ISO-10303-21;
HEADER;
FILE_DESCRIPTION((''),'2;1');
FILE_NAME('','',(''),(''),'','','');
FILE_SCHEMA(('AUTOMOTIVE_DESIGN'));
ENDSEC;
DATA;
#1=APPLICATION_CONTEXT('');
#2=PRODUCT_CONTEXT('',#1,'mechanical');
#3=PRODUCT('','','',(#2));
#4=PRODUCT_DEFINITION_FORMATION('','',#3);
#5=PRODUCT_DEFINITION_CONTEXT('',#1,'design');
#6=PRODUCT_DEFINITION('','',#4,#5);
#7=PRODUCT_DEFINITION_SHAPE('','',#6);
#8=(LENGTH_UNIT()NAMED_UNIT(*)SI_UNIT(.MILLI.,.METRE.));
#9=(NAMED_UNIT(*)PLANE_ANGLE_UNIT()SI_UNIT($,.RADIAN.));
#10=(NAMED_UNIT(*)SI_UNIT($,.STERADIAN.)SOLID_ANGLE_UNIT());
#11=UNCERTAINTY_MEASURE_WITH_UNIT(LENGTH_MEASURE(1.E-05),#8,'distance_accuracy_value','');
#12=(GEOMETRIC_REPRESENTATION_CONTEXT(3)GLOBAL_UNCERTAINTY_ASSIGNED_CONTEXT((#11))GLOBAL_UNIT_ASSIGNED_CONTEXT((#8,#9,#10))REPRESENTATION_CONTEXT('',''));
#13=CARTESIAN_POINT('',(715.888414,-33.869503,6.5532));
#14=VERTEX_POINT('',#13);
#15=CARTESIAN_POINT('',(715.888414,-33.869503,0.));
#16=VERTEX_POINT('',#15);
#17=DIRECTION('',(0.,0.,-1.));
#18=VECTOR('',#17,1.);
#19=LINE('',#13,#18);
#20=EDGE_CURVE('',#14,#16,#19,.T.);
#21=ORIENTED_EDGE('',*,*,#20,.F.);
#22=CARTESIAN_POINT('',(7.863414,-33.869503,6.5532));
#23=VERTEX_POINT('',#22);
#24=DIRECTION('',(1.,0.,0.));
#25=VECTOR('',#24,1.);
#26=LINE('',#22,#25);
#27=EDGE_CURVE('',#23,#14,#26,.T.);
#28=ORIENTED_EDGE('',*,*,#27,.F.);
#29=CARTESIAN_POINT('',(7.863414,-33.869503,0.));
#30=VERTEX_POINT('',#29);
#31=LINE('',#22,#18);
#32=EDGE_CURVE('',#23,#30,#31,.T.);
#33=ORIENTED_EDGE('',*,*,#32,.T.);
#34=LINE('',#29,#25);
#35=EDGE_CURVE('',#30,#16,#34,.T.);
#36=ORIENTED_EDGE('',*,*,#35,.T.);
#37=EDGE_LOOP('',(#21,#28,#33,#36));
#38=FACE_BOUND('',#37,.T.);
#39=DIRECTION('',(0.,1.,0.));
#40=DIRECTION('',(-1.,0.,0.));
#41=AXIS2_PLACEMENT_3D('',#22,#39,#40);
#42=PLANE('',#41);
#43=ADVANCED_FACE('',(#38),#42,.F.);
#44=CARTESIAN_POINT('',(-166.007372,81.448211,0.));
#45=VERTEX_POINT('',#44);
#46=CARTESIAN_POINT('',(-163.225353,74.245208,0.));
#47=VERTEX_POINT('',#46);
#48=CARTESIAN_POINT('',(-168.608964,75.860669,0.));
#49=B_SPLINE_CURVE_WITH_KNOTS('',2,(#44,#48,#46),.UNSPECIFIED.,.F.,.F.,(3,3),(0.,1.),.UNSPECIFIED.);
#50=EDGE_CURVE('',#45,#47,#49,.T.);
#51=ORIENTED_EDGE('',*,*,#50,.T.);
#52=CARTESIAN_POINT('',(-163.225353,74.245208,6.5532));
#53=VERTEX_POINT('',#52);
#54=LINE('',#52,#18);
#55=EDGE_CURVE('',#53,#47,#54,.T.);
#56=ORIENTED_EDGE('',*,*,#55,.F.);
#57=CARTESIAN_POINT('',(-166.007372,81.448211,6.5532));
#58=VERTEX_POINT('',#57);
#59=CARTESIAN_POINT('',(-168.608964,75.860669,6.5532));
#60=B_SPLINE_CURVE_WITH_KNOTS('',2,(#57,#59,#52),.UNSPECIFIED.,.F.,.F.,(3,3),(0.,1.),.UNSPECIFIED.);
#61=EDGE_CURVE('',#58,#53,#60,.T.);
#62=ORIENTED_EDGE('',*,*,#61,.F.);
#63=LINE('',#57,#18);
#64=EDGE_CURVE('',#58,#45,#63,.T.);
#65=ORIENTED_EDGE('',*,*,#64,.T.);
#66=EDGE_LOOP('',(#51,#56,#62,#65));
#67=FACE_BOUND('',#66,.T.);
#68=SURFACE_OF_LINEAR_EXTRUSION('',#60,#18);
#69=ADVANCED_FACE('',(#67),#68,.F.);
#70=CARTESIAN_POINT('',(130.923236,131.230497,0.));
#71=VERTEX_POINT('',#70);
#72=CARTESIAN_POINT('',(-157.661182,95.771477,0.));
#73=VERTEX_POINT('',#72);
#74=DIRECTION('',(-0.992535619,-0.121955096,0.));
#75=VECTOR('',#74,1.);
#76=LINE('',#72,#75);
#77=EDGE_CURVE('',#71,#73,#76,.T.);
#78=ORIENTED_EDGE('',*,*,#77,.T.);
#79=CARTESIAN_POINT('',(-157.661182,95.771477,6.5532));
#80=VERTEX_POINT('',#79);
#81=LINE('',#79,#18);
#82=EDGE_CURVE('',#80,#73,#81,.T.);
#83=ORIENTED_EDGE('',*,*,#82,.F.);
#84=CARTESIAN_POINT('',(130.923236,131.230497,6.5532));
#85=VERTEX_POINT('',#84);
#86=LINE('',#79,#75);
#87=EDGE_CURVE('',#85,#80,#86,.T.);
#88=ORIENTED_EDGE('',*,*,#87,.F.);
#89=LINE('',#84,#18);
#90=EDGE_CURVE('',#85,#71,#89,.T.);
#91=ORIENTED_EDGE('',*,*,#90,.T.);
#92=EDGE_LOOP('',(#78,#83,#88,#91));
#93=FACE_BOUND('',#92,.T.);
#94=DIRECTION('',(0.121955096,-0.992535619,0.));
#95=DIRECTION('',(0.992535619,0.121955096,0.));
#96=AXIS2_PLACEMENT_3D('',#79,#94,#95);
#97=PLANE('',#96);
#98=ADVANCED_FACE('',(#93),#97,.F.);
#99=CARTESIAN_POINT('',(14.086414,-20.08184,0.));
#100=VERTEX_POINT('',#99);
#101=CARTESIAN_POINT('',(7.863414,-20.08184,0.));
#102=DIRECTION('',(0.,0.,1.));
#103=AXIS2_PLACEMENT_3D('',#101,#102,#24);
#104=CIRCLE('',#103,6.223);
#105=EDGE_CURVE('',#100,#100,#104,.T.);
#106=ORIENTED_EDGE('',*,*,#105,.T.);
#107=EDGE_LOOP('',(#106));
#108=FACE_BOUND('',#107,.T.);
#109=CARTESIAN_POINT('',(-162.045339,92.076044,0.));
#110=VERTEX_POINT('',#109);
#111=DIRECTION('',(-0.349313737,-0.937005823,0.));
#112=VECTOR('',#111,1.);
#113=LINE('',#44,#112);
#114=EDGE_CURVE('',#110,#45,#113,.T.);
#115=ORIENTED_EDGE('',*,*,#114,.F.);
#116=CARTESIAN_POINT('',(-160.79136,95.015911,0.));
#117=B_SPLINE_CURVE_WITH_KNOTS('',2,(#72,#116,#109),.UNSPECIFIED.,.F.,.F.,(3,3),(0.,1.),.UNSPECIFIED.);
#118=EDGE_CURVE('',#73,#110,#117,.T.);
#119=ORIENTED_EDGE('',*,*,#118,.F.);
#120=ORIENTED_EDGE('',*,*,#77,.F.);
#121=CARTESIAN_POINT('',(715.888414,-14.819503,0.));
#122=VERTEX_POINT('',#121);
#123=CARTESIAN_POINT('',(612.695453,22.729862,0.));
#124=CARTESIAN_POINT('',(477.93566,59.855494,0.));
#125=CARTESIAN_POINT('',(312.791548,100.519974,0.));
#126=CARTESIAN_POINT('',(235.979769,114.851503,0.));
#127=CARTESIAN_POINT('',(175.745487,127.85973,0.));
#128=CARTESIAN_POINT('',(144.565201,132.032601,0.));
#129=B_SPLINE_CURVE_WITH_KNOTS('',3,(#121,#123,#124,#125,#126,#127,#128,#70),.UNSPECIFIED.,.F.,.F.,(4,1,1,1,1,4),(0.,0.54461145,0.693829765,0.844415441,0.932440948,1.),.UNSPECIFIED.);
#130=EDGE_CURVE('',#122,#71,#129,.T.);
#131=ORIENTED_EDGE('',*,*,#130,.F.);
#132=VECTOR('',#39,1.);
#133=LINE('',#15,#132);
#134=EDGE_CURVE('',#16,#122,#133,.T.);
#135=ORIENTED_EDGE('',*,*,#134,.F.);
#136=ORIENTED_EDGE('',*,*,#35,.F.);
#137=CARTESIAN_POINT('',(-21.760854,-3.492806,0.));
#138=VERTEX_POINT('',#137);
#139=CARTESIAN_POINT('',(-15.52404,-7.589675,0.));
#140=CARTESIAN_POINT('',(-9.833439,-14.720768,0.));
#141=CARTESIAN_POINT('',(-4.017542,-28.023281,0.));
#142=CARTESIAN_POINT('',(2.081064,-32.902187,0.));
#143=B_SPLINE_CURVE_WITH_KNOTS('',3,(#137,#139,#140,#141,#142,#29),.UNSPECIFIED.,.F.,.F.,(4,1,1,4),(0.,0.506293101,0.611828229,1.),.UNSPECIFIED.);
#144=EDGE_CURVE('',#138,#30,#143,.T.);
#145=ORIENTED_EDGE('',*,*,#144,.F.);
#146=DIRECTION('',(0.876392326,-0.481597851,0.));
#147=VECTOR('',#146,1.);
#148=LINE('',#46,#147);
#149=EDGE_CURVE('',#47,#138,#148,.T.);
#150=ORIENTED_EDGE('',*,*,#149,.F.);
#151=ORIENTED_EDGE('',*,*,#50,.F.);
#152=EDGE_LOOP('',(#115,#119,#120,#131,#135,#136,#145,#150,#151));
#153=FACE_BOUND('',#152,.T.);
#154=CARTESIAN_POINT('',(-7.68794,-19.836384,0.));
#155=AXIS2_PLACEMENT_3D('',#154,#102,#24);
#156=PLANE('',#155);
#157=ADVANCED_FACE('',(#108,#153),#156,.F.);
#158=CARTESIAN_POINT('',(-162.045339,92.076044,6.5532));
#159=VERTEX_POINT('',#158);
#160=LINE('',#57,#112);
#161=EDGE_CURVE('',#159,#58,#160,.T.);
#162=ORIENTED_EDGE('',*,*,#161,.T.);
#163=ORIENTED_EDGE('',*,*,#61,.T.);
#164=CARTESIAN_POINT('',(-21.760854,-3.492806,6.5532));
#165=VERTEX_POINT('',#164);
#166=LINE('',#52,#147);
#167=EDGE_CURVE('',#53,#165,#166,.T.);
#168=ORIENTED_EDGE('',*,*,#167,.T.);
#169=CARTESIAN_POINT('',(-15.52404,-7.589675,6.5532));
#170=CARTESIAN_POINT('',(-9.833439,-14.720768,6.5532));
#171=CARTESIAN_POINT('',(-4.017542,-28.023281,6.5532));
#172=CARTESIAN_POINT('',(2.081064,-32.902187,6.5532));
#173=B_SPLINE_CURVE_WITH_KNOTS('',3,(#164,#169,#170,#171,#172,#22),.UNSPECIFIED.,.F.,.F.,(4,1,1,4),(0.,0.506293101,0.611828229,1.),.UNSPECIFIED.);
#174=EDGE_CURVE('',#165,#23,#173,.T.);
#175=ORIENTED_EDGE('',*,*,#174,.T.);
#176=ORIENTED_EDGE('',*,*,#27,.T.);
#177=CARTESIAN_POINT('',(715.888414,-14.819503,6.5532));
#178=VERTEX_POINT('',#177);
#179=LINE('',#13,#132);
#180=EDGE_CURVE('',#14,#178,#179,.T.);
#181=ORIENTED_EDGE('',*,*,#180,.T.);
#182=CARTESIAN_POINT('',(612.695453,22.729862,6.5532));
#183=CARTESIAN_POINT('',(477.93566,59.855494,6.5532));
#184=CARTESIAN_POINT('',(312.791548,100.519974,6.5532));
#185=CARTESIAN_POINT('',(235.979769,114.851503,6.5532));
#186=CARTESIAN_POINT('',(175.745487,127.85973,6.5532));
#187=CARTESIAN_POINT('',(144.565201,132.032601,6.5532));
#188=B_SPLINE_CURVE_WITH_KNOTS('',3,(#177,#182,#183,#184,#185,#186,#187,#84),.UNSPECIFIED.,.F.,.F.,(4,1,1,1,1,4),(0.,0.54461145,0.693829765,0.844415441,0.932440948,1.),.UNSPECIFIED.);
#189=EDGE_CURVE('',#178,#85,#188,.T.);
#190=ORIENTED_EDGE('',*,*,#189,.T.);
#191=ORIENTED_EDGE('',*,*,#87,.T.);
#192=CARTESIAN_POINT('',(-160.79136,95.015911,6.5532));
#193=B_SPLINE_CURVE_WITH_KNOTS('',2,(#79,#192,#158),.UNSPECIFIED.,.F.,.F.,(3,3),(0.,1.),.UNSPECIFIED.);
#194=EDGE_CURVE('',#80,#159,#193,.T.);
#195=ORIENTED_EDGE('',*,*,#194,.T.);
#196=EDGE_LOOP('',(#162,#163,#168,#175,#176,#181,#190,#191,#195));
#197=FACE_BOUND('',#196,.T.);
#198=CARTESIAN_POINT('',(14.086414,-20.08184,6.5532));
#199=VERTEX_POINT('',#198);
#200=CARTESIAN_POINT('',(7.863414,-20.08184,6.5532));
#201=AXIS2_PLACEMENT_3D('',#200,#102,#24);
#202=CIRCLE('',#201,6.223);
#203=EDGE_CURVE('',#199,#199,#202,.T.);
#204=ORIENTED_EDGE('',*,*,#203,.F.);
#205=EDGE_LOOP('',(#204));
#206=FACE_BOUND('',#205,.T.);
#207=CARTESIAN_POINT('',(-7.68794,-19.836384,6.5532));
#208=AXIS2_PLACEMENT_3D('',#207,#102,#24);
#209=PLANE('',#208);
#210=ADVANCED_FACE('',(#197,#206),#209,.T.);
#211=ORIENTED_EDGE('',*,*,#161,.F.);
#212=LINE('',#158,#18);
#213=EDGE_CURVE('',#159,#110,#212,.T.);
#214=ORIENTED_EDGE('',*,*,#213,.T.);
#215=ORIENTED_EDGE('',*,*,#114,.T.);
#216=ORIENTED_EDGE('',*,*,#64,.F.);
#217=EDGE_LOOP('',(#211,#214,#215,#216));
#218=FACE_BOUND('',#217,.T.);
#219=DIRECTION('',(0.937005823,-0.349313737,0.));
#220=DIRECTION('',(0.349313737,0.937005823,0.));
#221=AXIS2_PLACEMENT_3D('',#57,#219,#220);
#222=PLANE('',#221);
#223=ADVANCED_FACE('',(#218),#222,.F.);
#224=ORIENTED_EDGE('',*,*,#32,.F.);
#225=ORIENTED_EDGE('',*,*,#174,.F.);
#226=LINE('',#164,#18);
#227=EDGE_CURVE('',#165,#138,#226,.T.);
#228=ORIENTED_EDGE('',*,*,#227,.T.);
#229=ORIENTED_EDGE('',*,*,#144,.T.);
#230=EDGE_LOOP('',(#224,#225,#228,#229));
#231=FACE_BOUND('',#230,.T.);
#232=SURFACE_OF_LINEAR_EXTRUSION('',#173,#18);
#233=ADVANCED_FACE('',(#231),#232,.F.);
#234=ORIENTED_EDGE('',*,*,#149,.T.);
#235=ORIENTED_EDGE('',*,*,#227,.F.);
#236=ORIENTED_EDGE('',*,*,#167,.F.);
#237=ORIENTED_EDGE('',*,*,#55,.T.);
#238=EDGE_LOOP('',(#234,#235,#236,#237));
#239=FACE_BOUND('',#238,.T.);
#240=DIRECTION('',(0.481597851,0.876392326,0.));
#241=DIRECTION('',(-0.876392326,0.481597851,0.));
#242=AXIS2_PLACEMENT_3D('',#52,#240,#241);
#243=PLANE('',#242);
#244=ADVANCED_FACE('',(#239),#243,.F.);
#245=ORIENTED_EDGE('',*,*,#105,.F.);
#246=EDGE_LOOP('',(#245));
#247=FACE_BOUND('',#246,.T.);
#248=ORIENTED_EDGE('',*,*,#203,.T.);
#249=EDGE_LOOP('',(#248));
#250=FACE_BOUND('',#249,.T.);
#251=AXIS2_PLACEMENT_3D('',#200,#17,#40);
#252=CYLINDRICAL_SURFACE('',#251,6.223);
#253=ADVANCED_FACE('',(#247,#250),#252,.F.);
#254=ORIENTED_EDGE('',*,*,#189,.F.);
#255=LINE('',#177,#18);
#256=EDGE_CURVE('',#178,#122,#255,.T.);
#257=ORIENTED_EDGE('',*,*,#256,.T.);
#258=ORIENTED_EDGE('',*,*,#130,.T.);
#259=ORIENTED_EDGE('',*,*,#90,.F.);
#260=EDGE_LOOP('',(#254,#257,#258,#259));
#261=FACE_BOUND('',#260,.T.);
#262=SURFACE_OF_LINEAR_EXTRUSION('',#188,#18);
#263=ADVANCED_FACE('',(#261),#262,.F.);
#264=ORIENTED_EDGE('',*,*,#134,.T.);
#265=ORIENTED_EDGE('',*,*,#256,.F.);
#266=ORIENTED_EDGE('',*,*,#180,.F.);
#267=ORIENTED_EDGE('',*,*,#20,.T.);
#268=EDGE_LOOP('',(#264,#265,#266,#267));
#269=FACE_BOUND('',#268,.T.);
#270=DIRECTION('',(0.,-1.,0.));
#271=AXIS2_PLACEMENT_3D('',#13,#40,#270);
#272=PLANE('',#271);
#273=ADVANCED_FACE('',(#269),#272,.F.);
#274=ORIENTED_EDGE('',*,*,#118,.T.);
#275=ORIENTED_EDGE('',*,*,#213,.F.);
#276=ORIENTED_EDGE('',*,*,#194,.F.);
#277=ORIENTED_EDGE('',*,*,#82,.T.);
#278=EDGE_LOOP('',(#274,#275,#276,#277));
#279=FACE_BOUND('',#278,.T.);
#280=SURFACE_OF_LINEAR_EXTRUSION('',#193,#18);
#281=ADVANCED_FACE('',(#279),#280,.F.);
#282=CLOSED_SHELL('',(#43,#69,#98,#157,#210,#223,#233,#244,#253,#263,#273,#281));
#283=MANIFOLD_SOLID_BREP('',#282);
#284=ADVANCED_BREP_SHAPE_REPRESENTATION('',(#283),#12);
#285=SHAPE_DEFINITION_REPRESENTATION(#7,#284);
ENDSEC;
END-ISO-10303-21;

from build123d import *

# Parameters (mm, degrees)
SKETCH1_R           = 6.223
BOSS_EXTRUDE1_DEPTH = 6.5532


with BuildPart() as part:
    # Sketch1 → Boss-Extrude1 (new body)
    with BuildSketch(Plane.XY):
        with BuildLine():
            Line((7.863413581, -33.869503221), (715.888413581, -33.869503221))
            Line((715.888413581, -33.869503221), (715.888413581, -14.819503221))
            add(Edge.make_bspline(
                [(130.923235962, 131.230496779), (144.565200568, 132.032600728), (175.745486699, 127.859730288), (235.979768818, 114.85150342), (312.791548306, 100.519974188), (477.93566039, 59.855493816), (612.69545282, 22.729861701), (715.888413581, -14.819503221)],
                knots=[0, 0, 0, 0, 0.067559052, 0.155584559, 0.306170235, 0.45538855, 1, 1, 1, 1], degree=3))
            Line((130.923235962, 131.230496779), (-157.661182161, 95.771476732))
            add(Edge.make_bspline(
                [(-162.045338663, 92.076043846), (-160.791359706, 95.015911404), (-157.661182161, 95.771476732)],
                knots=[0, 0, 0, 1, 1, 1], degree=2))
            Line((-162.045338663, 92.076043846), (-166.007371822, 81.448210611))
            add(Edge.make_bspline(
                [(-166.007371822, 81.448210611), (-168.608963638, 75.860668743), (-163.225353362, 74.245207536)],
                knots=[0, 0, 0, 1, 1, 1], degree=2))
            Line((-163.225353362, 74.245207536), (-21.760854311, -3.492806329))
            add(Edge.make_bspline(
                [(-21.760854311, -3.492806329), (-15.52403959, -7.589674855), (-9.833439316, -14.720767687), (-4.017541939, -28.023280736), (2.081063731, -32.902187391), (7.863413581, -33.869503221)],
                knots=[0, 0, 0, 0, 0.506293101, 0.611828229, 1, 1, 1, 1], degree=3))
        make_face()
        with Locations((7.863413581, -20.081840024)):
            Circle(SKETCH1_R, mode=Mode.SUBTRACT)
    extrude(amount=BOSS_EXTRUDE1_DEPTH)


solid = part.part
